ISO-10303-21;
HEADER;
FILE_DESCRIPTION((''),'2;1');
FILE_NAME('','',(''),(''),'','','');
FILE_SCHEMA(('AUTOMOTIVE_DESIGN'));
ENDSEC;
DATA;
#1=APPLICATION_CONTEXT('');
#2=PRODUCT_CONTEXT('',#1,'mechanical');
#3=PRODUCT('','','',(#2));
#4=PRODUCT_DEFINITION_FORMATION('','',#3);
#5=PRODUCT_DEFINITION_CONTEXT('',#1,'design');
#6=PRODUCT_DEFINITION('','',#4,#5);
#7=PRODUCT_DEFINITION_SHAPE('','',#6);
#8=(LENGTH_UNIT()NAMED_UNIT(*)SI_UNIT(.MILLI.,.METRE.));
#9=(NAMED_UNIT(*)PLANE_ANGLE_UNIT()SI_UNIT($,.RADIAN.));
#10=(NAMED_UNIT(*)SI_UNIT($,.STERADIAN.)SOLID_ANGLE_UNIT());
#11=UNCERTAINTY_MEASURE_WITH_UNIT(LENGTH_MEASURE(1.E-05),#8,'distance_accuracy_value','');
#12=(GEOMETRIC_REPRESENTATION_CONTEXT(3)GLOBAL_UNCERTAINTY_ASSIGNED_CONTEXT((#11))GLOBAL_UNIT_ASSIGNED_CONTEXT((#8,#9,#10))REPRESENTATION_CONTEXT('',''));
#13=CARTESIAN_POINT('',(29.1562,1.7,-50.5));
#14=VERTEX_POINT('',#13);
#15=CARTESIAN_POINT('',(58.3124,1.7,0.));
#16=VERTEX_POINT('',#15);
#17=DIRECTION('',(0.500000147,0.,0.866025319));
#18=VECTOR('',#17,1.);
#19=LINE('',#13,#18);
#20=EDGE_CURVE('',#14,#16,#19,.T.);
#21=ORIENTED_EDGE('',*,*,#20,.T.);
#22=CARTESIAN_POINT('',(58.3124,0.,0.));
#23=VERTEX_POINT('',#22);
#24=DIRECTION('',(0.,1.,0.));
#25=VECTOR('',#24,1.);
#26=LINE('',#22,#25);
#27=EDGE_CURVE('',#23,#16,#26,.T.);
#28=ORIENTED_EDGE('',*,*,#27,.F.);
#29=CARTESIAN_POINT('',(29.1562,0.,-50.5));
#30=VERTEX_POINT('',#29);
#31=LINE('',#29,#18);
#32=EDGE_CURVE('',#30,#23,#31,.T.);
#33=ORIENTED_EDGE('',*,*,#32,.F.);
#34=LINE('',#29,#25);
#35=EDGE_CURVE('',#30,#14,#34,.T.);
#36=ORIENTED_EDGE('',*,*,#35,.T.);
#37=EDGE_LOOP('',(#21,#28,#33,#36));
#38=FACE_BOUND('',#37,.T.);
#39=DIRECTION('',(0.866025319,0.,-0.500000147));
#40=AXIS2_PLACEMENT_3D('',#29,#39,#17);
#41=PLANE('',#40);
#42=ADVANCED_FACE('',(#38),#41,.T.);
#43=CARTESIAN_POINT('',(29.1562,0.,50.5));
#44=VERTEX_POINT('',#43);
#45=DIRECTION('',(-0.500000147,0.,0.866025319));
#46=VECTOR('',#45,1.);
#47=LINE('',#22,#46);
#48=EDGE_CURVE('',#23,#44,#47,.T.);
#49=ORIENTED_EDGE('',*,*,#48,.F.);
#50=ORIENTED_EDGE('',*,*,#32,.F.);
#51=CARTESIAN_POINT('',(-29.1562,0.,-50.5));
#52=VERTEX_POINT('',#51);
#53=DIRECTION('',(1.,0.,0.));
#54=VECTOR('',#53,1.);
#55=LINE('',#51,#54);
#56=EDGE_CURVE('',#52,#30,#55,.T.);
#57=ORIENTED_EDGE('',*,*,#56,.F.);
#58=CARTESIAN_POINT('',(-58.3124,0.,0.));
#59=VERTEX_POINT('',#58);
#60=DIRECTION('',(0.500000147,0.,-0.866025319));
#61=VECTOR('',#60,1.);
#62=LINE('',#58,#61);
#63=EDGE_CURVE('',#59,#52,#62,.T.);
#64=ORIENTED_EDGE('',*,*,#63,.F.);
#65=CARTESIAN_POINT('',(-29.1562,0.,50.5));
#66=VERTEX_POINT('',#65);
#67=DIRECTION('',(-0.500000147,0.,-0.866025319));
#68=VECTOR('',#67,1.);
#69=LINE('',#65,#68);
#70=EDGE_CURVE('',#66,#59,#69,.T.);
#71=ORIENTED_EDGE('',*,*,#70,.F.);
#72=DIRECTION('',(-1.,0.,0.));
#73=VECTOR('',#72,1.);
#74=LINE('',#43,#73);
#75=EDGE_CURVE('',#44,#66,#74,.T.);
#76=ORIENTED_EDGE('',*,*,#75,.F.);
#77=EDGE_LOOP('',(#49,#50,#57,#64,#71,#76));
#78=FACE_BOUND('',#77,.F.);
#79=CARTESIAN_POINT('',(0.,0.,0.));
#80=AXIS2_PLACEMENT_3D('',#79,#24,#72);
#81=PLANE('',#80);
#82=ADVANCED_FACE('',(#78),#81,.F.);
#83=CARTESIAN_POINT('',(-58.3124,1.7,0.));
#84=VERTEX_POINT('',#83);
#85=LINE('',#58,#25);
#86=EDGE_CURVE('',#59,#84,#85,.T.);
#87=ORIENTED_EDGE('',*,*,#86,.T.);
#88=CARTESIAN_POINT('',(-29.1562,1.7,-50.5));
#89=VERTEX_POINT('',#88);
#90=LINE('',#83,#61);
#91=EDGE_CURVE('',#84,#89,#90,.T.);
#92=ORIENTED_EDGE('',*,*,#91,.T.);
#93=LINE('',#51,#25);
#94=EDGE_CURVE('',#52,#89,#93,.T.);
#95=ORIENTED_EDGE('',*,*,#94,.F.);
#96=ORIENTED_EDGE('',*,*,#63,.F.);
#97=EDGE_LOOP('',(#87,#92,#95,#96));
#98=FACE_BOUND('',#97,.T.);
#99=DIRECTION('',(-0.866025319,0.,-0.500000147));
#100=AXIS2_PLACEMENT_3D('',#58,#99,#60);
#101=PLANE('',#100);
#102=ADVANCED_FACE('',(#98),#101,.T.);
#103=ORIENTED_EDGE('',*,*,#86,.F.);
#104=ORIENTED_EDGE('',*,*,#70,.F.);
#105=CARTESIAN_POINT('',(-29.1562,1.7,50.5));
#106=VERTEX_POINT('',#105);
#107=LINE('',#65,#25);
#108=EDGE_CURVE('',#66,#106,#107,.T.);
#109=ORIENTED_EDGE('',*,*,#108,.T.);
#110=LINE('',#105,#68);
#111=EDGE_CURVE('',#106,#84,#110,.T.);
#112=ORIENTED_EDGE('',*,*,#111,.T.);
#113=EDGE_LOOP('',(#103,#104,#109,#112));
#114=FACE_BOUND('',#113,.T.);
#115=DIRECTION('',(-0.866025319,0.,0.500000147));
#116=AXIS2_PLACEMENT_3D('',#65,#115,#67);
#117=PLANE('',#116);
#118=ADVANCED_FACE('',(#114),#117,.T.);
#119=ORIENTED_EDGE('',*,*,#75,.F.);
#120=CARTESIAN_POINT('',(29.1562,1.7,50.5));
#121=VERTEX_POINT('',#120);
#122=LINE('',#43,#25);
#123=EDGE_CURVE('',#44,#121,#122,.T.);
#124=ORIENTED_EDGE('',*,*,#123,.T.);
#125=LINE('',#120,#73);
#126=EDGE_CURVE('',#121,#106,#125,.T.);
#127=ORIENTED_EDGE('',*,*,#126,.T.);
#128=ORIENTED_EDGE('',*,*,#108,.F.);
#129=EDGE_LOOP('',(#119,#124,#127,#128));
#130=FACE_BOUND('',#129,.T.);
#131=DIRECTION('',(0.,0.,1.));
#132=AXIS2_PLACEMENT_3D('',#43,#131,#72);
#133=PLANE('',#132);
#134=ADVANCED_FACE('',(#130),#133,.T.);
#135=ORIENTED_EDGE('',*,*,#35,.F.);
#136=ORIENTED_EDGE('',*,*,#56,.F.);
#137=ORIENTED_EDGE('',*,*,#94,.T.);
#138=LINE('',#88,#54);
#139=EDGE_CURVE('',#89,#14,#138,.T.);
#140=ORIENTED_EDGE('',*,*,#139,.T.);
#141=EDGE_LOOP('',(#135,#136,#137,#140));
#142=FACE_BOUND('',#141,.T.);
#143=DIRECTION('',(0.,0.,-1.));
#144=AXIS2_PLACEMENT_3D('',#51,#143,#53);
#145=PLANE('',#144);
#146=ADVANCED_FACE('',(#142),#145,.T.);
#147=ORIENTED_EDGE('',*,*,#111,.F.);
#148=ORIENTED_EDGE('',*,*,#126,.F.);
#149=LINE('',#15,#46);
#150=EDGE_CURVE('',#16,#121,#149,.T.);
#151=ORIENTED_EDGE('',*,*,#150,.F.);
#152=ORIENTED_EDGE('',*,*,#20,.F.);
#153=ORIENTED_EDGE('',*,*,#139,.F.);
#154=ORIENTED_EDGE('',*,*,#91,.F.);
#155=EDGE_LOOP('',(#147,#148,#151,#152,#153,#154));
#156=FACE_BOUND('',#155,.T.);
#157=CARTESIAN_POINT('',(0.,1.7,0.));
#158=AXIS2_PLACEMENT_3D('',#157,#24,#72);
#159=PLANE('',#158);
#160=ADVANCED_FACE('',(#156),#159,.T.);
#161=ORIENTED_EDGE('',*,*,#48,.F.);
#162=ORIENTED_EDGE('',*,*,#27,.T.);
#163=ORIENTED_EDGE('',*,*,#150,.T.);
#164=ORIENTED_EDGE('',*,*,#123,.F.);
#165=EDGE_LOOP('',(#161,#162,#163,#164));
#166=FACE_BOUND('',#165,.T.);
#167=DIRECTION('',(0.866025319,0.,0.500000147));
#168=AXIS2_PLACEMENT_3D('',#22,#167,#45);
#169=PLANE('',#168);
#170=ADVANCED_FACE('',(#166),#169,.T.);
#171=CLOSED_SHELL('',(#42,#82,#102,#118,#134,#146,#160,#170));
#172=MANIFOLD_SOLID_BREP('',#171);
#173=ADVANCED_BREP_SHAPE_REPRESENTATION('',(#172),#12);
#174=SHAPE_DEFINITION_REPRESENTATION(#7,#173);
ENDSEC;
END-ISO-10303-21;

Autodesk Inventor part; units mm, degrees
ref_plane "YZ Plane" through (0, 0, 0) normal (1, 0, 0) x (0, 1, 0)
ref_plane "XZ Plane" through (0, 0, 0) normal (0, 1, 0) x (-1, 0, 0)
ref_plane "XY Plane" through (0, 0, 0) normal (0, 0, 1) x (1, 0, 0)
sketch "Sketch1" plane through (0, 0, 0) normal (0, 1, 0) x (-1, 0, 0)
  line L0 (-29.1562, -50.5) -> (-58.3124, 0)
  line L1 (-58.3124, 0) -> (-29.1562, 50.5)
  line L2 (-29.1562, 50.5) -> (29.1562, 50.5)
  line L3 (29.1562, 50.5) -> (58.3124, 0)
  line L4 (58.3124, 0) -> (29.1562, -50.5)
  line L5 (29.1562, -50.5) -> (-29.1562, -50.5)
  point P0 (0, 0)
  point P1 (0, 0)
  dimension "d0" = 101
extrude "Extrusion1" add sketch "Sketch1" along normal blind 1.7
properties part number "Hex_Single" material "Paper"
